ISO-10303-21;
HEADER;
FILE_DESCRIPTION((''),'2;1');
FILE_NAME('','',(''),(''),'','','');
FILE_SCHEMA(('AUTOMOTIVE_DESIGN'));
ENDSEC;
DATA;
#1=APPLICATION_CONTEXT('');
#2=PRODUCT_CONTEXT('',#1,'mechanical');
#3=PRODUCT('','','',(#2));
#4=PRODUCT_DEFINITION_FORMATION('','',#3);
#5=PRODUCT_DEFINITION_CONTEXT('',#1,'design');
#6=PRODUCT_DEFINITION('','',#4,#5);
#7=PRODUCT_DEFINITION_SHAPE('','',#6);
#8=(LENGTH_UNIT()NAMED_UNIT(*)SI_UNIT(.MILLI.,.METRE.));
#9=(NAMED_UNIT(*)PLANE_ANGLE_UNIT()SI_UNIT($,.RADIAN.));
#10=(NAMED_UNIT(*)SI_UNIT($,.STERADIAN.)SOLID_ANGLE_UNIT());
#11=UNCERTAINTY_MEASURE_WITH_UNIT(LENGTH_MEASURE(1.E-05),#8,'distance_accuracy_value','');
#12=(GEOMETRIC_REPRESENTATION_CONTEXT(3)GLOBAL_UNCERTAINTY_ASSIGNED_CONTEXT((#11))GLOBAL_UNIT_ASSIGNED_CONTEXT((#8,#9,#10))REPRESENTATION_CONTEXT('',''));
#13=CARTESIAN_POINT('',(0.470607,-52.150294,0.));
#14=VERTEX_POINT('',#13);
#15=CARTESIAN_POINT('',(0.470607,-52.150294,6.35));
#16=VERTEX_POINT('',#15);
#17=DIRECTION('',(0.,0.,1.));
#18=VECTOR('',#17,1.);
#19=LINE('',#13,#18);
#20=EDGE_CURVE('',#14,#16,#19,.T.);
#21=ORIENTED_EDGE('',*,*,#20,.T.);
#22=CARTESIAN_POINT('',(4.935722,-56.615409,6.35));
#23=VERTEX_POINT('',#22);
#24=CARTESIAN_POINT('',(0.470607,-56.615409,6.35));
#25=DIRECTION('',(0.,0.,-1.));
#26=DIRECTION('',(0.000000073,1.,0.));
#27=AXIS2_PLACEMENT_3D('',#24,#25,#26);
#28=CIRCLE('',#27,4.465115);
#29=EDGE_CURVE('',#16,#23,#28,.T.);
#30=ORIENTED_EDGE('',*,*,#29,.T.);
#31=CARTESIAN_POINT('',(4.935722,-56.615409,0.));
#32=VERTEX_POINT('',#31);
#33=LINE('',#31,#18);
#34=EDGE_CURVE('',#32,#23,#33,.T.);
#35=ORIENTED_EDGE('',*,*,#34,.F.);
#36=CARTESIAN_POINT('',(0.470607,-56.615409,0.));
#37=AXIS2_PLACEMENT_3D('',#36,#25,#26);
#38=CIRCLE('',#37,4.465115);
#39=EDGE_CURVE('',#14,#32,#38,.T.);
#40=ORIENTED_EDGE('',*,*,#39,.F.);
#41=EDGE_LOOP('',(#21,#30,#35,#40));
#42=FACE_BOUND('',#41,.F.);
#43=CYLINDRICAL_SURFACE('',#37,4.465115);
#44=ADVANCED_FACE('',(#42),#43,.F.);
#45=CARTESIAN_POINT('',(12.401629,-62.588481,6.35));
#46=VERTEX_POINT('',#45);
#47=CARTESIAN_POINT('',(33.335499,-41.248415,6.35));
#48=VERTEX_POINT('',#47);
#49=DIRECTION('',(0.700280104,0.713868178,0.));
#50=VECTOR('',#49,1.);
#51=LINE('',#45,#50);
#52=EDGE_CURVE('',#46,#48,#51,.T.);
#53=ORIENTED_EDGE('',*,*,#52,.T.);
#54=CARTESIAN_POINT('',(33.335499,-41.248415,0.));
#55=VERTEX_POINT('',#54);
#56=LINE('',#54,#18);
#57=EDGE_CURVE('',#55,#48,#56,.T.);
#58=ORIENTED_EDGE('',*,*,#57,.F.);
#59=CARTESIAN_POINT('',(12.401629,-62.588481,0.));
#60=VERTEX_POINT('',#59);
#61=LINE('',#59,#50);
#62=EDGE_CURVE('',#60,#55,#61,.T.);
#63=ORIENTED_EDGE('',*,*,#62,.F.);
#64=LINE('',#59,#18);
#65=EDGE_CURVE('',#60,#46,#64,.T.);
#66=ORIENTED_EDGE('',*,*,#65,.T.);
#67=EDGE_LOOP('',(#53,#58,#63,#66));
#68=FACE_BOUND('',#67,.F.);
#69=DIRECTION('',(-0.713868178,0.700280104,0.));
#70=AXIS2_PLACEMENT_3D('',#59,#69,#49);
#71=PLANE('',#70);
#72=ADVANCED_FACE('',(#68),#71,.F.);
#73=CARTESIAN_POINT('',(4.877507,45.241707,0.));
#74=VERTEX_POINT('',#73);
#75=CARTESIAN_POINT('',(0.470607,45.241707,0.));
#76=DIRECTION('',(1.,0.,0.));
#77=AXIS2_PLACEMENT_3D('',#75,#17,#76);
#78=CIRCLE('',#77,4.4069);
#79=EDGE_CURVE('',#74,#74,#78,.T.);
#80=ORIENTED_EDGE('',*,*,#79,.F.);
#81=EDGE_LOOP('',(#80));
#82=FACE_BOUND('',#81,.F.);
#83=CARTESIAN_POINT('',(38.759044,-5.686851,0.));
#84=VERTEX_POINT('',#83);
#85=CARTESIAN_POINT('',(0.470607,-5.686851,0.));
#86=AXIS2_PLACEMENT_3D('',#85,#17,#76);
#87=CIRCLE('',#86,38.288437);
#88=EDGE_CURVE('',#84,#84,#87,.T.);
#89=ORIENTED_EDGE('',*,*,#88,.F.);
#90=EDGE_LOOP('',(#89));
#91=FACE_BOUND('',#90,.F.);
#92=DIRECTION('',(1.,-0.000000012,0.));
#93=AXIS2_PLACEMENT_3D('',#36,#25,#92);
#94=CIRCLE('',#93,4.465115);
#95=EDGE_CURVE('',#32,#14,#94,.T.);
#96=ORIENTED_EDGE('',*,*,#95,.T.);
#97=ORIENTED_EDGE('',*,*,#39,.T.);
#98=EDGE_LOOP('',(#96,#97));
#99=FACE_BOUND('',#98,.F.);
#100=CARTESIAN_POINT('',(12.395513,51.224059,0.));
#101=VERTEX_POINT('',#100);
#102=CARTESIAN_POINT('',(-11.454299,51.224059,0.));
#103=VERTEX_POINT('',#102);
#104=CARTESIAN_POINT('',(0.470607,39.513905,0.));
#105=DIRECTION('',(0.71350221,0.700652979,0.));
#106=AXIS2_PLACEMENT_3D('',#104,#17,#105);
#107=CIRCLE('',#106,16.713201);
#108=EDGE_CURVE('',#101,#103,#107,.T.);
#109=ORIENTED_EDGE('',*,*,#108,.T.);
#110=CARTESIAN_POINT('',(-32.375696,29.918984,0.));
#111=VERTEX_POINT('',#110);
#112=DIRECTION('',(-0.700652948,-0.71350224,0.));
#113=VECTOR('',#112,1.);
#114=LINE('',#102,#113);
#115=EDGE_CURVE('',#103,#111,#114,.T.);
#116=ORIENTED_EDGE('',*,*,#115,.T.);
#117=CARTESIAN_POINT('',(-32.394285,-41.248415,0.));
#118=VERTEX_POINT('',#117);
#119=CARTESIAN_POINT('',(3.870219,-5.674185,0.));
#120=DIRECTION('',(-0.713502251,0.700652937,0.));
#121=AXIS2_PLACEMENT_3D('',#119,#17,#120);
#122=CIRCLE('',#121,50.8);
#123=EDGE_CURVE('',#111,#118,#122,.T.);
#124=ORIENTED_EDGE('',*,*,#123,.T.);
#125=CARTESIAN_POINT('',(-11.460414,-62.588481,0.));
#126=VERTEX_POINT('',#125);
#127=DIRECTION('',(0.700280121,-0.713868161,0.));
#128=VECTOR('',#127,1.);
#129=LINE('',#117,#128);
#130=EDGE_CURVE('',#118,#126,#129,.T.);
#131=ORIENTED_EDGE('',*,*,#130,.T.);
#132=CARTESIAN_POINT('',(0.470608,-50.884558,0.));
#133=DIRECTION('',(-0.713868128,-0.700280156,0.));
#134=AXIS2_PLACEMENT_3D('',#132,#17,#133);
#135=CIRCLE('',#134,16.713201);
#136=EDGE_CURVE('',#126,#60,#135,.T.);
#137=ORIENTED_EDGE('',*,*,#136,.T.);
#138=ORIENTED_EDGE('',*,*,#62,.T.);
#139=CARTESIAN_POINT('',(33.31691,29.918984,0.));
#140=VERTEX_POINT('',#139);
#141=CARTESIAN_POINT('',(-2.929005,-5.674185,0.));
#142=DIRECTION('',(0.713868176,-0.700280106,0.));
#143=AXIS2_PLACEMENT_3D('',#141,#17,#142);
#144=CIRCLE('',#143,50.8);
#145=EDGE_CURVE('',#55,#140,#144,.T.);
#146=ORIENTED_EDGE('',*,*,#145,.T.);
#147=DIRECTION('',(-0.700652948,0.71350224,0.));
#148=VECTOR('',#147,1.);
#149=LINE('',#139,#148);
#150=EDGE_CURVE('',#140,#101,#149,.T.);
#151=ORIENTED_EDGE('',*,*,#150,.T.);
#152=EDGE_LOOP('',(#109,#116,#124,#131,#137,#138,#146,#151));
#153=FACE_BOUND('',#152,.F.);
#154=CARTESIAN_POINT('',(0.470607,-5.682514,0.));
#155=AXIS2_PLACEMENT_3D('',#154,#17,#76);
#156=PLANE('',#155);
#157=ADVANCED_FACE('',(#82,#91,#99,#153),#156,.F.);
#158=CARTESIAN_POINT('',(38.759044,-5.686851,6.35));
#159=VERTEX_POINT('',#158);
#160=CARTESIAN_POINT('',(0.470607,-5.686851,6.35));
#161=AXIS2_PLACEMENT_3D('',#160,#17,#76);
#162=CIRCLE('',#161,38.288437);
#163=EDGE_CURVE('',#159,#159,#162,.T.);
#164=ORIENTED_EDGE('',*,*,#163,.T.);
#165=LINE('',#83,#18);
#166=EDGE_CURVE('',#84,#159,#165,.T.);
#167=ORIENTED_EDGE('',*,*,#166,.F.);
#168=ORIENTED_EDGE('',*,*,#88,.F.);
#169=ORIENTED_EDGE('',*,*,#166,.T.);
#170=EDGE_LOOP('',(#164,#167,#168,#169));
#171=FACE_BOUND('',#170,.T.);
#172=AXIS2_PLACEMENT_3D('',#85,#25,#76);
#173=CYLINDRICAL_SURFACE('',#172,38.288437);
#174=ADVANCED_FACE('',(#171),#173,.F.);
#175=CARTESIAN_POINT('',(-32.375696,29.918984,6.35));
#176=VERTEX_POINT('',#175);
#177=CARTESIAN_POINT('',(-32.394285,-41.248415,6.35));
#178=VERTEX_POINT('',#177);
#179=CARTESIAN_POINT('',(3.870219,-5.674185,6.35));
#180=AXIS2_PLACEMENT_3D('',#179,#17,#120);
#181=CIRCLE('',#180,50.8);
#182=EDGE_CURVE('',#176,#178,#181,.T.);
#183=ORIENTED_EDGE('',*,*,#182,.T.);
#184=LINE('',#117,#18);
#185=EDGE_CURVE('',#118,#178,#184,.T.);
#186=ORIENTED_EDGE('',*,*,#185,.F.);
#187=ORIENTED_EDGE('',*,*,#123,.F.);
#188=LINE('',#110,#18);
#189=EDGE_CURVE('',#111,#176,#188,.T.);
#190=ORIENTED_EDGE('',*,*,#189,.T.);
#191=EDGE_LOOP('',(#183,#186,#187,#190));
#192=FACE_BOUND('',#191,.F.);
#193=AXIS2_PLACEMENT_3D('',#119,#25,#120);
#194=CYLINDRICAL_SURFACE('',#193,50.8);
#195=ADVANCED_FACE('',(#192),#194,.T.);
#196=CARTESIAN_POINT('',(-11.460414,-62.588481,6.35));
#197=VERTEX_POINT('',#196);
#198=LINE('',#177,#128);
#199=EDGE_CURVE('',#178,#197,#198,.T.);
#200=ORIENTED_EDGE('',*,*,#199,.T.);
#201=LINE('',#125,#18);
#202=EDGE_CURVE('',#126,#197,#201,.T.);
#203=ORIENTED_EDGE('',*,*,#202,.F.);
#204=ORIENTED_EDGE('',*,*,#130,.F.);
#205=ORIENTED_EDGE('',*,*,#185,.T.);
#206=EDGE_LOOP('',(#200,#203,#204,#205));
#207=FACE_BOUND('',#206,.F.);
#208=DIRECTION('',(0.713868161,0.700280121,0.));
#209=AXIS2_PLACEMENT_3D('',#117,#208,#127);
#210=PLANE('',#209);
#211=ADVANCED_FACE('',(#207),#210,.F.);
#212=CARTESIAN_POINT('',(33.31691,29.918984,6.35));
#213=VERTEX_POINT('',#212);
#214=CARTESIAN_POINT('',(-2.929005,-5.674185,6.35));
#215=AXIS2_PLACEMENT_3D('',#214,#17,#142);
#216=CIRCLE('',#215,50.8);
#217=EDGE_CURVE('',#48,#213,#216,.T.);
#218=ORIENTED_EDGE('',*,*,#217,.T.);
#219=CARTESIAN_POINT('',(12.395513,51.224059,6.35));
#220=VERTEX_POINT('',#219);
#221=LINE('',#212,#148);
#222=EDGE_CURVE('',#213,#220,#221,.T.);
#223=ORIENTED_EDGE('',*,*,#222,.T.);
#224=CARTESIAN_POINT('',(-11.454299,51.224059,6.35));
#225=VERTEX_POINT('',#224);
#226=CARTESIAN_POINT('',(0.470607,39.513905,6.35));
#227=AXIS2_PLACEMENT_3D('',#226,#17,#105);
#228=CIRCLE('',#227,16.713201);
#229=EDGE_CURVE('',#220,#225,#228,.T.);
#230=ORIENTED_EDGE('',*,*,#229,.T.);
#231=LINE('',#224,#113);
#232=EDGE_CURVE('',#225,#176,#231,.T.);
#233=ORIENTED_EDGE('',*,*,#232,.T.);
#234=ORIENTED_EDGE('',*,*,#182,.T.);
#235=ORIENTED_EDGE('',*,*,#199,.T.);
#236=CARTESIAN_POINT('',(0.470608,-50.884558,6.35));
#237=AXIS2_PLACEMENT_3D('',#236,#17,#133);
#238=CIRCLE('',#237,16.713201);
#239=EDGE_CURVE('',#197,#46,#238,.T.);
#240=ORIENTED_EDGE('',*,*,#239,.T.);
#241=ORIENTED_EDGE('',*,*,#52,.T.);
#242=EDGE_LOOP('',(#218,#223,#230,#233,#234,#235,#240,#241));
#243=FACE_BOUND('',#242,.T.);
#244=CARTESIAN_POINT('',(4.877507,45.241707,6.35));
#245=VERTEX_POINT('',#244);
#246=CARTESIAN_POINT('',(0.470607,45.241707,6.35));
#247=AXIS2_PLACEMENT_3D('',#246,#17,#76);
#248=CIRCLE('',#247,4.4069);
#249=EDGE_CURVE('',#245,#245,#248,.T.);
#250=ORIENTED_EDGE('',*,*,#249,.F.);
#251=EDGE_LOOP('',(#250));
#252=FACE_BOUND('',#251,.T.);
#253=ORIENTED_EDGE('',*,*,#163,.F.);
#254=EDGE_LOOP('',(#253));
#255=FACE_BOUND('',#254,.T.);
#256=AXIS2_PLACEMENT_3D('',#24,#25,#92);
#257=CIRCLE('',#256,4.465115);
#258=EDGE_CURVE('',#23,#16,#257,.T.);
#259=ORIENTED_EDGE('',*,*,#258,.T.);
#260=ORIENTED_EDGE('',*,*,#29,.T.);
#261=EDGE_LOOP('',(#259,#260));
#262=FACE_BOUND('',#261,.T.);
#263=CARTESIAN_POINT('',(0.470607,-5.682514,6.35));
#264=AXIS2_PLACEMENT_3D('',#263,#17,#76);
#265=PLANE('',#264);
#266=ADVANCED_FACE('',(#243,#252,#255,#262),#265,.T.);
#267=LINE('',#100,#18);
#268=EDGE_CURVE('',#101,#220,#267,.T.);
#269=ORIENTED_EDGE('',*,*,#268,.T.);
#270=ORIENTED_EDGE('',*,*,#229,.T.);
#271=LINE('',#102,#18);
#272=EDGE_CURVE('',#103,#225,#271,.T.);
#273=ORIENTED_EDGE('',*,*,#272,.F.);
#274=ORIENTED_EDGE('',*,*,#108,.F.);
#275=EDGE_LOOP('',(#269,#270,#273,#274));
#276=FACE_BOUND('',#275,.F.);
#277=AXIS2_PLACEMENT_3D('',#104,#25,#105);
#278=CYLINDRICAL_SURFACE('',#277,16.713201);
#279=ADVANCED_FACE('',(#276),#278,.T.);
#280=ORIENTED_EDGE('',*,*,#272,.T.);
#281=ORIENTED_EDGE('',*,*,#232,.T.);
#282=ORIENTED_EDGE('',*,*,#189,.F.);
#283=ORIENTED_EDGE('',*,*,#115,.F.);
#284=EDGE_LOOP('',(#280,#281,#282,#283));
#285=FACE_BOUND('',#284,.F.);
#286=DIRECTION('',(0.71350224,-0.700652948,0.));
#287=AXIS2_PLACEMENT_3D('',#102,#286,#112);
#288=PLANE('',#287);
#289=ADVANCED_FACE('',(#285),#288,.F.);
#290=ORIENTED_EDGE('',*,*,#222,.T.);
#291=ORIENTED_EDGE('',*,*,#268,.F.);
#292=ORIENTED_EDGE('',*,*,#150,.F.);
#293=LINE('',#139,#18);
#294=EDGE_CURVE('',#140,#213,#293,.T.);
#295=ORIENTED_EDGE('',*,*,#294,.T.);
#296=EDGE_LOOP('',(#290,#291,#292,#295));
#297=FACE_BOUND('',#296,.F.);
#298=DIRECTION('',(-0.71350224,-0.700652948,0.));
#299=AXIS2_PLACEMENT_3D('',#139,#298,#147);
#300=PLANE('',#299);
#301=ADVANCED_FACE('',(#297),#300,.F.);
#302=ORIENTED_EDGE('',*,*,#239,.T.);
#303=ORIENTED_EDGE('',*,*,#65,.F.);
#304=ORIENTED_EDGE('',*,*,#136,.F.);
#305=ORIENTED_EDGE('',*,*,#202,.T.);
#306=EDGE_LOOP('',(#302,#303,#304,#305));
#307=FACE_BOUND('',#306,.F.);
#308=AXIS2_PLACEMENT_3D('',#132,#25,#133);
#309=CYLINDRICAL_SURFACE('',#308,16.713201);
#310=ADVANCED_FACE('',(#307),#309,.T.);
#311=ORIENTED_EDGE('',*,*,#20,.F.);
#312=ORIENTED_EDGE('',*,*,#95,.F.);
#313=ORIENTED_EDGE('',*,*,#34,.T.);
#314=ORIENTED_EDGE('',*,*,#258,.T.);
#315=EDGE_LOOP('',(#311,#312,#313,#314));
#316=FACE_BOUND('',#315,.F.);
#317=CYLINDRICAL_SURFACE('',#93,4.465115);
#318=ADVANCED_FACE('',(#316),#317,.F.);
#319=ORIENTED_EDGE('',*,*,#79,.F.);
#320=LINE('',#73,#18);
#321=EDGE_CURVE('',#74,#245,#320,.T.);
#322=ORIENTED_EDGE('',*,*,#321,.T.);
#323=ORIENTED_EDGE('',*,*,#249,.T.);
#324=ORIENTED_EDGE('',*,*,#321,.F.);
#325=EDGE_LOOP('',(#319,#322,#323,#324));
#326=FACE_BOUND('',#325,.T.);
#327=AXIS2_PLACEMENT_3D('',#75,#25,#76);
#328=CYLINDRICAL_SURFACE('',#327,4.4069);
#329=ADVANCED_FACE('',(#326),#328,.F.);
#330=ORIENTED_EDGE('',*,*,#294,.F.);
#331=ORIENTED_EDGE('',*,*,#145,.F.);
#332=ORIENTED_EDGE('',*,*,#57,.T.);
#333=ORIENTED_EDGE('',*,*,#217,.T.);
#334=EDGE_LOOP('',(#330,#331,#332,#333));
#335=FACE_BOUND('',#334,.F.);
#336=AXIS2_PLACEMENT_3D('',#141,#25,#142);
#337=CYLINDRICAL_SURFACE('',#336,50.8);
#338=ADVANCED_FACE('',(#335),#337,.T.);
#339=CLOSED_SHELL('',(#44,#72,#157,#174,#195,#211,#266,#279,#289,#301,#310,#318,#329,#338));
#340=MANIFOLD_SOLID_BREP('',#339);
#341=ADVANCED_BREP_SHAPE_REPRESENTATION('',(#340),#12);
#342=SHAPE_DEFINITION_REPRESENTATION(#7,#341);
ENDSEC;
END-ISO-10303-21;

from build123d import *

# Parameters (mm, degrees)
F0_R     = 38.288437
F0_R_2   = 4.4069
F1_DEPTH = 6.35


with BuildPart() as f1:
    # F0 (on Top) → F1 (new body)
    with BuildSketch(Plane.XY):
        with BuildLine():
            ThreePointArc((12.395513, 51.224059), (0.470607, 56.227106), (-11.454299, 51.224059))
            Line((-11.454299, 51.224059), (-32.375696, 29.918984))
            ThreePointArc((-32.375696, 29.918984), (-46.92978, -5.660917), (-32.394285, -41.248415))
            Line((-32.394285, -41.248415), (-11.460414, -62.588481))
            ThreePointArc((-11.460414, -62.588481), (0.470607, -67.597759), (12.401629, -62.588481))
            Line((12.401629, -62.588481), (33.335499, -41.248415))
            ThreePointArc((33.335499, -41.248415), (47.870994, -5.660917), (33.31691, 29.918984))
            Line((33.31691, 29.918984), (12.395513, 51.224059))
        make_face()
        with BuildLine():
            ThreePointArc((0.470607, -52.150294), (3.62792, -53.458096), (4.935722, -56.615409))
            ThreePointArc((4.935722, -56.615409), (-2.686706, -59.772722), (0.470607, -52.150294))
        make_face(mode=Mode.SUBTRACT)
        with Locations((0.470607, -5.686851)):
            Circle(F0_R, mode=Mode.SUBTRACT)
        with Locations((0.470607, 45.241707)):
            Circle(F0_R_2, mode=Mode.SUBTRACT)
    extrude(amount=F1_DEPTH)


solid = f1.part
